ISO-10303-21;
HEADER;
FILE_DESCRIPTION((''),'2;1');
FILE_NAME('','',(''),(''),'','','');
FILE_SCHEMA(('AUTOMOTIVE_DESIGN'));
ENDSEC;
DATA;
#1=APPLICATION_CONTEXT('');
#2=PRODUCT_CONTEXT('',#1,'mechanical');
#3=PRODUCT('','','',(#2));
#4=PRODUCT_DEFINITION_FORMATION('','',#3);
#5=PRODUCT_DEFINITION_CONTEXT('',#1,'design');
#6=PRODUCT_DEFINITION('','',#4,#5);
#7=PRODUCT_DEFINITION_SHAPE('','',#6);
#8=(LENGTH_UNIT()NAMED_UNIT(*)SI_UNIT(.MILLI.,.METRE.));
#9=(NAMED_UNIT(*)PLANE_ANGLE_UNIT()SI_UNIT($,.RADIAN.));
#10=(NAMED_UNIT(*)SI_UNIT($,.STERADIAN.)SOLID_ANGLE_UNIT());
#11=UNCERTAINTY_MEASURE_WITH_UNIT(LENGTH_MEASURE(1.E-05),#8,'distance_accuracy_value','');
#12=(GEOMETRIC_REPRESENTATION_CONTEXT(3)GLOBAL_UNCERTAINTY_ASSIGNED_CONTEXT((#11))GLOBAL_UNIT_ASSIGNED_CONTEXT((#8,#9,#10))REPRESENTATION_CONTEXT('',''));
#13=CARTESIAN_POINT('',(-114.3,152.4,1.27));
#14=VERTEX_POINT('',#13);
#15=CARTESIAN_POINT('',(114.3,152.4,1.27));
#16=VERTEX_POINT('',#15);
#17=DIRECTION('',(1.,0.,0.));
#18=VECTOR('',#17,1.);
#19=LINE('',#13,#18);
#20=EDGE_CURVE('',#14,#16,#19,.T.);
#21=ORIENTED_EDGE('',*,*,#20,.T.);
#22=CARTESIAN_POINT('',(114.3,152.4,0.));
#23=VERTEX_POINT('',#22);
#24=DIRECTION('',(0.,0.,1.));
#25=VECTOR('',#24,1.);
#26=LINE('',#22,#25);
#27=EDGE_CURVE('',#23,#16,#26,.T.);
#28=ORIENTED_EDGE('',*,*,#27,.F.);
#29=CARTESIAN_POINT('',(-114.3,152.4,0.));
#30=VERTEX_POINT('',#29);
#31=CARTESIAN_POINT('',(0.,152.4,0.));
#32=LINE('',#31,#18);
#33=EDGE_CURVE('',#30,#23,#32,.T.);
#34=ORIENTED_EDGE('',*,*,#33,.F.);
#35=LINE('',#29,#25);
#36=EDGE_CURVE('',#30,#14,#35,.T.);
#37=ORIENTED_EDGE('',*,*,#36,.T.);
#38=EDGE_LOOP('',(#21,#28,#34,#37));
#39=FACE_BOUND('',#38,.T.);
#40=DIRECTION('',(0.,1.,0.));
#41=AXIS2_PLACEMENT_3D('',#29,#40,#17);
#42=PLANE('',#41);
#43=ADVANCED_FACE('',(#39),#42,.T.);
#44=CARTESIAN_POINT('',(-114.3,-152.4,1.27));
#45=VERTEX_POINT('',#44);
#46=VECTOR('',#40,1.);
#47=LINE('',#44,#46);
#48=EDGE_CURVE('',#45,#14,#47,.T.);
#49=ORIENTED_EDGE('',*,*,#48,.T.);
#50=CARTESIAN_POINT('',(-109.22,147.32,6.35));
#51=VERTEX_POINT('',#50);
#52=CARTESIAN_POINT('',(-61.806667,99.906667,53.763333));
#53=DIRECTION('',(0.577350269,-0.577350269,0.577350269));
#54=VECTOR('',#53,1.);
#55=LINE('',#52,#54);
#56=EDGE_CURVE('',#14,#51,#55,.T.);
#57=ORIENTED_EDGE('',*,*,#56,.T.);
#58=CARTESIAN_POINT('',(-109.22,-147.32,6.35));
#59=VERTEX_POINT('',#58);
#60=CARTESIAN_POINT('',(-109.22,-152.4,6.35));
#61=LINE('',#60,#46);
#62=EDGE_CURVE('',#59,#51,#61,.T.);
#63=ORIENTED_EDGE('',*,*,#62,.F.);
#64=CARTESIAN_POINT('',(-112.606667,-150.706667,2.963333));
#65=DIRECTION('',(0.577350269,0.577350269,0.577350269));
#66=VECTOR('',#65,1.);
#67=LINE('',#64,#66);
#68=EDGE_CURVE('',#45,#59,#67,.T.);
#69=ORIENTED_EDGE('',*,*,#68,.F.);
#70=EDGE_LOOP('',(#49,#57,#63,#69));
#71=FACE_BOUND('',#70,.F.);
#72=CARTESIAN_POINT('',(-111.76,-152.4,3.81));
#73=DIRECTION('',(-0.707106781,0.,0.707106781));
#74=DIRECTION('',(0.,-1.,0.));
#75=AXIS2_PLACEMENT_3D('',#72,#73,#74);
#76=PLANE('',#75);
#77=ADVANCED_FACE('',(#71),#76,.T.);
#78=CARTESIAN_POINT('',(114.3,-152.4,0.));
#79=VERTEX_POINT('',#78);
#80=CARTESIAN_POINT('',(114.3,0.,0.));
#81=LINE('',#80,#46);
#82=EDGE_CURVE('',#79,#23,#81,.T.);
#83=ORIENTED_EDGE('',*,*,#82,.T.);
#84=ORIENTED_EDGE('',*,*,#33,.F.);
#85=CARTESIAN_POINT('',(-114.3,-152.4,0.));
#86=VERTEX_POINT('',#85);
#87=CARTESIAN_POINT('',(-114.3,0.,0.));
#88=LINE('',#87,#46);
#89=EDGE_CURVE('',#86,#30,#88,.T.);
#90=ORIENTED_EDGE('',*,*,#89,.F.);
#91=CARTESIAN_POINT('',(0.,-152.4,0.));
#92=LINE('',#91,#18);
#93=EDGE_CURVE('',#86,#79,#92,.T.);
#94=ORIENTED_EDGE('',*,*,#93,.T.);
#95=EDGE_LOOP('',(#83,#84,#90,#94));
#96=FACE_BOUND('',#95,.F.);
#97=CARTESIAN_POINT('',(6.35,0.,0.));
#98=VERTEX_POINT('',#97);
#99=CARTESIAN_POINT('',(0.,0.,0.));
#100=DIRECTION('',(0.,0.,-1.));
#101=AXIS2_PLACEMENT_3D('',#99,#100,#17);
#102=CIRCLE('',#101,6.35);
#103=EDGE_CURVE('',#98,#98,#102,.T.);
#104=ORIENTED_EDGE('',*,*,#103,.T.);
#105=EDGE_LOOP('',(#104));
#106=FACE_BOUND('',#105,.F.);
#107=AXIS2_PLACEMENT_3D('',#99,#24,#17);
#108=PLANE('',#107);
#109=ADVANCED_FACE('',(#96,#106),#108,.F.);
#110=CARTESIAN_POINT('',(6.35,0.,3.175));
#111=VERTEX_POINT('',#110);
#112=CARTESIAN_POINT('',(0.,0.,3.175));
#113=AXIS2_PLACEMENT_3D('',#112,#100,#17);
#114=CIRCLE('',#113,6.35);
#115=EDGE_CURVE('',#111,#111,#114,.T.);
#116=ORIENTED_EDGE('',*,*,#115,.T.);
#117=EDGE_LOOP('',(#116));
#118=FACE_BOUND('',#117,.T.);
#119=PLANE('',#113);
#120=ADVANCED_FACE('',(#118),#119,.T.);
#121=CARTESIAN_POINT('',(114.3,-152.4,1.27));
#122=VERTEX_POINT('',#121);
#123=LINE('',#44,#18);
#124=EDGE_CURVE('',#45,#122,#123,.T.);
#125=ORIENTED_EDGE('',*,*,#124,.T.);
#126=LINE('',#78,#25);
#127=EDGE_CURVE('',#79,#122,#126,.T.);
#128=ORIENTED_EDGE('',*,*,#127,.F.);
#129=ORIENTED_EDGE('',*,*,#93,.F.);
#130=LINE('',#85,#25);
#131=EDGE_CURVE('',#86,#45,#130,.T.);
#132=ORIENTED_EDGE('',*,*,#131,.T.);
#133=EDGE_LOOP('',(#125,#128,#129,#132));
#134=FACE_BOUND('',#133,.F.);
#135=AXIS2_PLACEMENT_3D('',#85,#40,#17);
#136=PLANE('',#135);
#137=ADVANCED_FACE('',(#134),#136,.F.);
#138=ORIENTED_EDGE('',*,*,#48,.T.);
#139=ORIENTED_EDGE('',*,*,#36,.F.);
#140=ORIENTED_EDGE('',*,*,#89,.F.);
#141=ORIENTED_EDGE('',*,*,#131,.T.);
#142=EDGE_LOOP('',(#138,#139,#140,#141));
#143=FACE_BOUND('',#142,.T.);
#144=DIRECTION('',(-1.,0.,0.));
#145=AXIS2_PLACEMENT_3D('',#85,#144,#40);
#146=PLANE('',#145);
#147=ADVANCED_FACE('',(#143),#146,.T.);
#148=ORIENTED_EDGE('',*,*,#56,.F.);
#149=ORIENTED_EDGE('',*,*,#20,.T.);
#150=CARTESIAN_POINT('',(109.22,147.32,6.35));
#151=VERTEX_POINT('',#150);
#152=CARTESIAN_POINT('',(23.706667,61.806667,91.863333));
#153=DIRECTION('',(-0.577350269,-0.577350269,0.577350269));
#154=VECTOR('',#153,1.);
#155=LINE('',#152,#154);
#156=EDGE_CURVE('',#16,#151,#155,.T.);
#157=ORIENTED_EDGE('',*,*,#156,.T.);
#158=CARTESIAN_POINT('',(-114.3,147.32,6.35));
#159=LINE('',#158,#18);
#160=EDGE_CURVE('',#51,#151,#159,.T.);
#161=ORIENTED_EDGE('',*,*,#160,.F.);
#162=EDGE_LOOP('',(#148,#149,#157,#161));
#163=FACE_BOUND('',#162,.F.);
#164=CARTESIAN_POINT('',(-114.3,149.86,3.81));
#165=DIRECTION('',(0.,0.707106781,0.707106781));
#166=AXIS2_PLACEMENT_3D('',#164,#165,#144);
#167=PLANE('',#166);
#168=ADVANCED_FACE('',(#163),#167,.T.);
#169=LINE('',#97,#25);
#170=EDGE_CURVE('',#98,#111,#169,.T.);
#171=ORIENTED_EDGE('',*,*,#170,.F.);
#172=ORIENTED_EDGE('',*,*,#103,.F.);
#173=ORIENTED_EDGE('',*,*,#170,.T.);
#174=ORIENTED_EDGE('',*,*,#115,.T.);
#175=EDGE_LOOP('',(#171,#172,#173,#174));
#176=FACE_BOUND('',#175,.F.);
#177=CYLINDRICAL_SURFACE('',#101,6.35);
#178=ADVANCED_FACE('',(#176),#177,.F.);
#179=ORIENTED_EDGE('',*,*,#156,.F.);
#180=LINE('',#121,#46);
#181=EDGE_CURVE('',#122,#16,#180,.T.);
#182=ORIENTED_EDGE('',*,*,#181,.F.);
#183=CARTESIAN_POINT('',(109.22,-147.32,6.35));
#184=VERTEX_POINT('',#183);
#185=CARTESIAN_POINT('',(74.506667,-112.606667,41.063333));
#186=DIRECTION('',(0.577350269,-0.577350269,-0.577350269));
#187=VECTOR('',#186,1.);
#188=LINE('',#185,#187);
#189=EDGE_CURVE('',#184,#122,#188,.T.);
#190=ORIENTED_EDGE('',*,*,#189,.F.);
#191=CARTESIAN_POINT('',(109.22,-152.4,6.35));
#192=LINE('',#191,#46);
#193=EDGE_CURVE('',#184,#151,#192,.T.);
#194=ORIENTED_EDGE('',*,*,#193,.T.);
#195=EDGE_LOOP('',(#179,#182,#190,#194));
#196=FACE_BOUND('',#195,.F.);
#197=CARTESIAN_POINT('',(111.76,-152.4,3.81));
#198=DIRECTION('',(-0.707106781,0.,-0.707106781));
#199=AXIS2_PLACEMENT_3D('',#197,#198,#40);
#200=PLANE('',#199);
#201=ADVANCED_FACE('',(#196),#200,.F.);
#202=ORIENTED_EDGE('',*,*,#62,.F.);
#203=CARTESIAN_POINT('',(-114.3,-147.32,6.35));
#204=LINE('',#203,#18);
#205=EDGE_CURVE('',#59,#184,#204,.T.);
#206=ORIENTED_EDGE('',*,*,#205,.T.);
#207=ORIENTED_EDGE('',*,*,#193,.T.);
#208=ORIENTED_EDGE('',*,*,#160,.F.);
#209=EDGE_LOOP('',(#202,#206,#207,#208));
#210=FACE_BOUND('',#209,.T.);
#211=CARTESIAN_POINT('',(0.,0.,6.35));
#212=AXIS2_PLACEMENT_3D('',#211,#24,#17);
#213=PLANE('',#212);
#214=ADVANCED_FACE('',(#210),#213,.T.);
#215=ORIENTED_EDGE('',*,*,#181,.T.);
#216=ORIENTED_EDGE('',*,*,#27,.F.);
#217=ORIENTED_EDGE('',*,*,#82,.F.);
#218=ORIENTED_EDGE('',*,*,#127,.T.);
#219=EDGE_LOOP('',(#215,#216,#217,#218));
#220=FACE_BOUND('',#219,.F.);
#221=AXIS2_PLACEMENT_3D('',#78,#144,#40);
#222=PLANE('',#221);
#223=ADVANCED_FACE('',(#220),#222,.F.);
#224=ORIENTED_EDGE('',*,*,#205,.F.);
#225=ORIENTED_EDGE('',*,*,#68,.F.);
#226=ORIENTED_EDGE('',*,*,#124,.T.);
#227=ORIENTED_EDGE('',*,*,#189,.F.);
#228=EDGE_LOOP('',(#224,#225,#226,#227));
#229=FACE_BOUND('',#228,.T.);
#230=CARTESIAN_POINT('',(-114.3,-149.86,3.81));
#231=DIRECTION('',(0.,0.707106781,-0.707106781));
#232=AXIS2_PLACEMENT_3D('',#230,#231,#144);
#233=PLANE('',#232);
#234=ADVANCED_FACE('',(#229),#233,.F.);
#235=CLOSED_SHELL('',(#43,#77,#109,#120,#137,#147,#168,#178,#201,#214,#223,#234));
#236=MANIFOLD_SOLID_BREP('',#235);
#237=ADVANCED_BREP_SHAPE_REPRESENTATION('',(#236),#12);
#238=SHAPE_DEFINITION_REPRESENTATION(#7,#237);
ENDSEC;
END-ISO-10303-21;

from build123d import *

# Parameters (mm, degrees)
F0_W     = 228.6
F0_H     = 304.8
F1_DEPTH = 6.35
F2_R     = 6.35
F3_DEPTH = 3.175
F4_SIZE  = 5.08


with BuildPart() as f1:
    # F0 (on Top) → F1 (new body)
    with BuildSketch(Plane.XY):
        Rectangle(F0_W, F0_H)
    extrude(amount=F1_DEPTH)

    # F2 (on face) → F3 (cut)
    with BuildSketch(Plane(origin=(0, 0, 0), x_dir=(1, 0, 0), z_dir=(0, 0, -1))):
        Circle(F2_R)
    extrude(amount=-F3_DEPTH, mode=Mode.SUBTRACT)

    # F4
    f4_edges = [f1.edges().sort_by_distance(p)[0] for p in [
        (-114.3, 0, 6.35),
        (0, 152.4, 6.35),
        (114.3, 0, 6.35),
        (0, -152.4, 6.35),
    ]]
    chamfer(f4_edges, length=F4_SIZE)


solid = f1.part
